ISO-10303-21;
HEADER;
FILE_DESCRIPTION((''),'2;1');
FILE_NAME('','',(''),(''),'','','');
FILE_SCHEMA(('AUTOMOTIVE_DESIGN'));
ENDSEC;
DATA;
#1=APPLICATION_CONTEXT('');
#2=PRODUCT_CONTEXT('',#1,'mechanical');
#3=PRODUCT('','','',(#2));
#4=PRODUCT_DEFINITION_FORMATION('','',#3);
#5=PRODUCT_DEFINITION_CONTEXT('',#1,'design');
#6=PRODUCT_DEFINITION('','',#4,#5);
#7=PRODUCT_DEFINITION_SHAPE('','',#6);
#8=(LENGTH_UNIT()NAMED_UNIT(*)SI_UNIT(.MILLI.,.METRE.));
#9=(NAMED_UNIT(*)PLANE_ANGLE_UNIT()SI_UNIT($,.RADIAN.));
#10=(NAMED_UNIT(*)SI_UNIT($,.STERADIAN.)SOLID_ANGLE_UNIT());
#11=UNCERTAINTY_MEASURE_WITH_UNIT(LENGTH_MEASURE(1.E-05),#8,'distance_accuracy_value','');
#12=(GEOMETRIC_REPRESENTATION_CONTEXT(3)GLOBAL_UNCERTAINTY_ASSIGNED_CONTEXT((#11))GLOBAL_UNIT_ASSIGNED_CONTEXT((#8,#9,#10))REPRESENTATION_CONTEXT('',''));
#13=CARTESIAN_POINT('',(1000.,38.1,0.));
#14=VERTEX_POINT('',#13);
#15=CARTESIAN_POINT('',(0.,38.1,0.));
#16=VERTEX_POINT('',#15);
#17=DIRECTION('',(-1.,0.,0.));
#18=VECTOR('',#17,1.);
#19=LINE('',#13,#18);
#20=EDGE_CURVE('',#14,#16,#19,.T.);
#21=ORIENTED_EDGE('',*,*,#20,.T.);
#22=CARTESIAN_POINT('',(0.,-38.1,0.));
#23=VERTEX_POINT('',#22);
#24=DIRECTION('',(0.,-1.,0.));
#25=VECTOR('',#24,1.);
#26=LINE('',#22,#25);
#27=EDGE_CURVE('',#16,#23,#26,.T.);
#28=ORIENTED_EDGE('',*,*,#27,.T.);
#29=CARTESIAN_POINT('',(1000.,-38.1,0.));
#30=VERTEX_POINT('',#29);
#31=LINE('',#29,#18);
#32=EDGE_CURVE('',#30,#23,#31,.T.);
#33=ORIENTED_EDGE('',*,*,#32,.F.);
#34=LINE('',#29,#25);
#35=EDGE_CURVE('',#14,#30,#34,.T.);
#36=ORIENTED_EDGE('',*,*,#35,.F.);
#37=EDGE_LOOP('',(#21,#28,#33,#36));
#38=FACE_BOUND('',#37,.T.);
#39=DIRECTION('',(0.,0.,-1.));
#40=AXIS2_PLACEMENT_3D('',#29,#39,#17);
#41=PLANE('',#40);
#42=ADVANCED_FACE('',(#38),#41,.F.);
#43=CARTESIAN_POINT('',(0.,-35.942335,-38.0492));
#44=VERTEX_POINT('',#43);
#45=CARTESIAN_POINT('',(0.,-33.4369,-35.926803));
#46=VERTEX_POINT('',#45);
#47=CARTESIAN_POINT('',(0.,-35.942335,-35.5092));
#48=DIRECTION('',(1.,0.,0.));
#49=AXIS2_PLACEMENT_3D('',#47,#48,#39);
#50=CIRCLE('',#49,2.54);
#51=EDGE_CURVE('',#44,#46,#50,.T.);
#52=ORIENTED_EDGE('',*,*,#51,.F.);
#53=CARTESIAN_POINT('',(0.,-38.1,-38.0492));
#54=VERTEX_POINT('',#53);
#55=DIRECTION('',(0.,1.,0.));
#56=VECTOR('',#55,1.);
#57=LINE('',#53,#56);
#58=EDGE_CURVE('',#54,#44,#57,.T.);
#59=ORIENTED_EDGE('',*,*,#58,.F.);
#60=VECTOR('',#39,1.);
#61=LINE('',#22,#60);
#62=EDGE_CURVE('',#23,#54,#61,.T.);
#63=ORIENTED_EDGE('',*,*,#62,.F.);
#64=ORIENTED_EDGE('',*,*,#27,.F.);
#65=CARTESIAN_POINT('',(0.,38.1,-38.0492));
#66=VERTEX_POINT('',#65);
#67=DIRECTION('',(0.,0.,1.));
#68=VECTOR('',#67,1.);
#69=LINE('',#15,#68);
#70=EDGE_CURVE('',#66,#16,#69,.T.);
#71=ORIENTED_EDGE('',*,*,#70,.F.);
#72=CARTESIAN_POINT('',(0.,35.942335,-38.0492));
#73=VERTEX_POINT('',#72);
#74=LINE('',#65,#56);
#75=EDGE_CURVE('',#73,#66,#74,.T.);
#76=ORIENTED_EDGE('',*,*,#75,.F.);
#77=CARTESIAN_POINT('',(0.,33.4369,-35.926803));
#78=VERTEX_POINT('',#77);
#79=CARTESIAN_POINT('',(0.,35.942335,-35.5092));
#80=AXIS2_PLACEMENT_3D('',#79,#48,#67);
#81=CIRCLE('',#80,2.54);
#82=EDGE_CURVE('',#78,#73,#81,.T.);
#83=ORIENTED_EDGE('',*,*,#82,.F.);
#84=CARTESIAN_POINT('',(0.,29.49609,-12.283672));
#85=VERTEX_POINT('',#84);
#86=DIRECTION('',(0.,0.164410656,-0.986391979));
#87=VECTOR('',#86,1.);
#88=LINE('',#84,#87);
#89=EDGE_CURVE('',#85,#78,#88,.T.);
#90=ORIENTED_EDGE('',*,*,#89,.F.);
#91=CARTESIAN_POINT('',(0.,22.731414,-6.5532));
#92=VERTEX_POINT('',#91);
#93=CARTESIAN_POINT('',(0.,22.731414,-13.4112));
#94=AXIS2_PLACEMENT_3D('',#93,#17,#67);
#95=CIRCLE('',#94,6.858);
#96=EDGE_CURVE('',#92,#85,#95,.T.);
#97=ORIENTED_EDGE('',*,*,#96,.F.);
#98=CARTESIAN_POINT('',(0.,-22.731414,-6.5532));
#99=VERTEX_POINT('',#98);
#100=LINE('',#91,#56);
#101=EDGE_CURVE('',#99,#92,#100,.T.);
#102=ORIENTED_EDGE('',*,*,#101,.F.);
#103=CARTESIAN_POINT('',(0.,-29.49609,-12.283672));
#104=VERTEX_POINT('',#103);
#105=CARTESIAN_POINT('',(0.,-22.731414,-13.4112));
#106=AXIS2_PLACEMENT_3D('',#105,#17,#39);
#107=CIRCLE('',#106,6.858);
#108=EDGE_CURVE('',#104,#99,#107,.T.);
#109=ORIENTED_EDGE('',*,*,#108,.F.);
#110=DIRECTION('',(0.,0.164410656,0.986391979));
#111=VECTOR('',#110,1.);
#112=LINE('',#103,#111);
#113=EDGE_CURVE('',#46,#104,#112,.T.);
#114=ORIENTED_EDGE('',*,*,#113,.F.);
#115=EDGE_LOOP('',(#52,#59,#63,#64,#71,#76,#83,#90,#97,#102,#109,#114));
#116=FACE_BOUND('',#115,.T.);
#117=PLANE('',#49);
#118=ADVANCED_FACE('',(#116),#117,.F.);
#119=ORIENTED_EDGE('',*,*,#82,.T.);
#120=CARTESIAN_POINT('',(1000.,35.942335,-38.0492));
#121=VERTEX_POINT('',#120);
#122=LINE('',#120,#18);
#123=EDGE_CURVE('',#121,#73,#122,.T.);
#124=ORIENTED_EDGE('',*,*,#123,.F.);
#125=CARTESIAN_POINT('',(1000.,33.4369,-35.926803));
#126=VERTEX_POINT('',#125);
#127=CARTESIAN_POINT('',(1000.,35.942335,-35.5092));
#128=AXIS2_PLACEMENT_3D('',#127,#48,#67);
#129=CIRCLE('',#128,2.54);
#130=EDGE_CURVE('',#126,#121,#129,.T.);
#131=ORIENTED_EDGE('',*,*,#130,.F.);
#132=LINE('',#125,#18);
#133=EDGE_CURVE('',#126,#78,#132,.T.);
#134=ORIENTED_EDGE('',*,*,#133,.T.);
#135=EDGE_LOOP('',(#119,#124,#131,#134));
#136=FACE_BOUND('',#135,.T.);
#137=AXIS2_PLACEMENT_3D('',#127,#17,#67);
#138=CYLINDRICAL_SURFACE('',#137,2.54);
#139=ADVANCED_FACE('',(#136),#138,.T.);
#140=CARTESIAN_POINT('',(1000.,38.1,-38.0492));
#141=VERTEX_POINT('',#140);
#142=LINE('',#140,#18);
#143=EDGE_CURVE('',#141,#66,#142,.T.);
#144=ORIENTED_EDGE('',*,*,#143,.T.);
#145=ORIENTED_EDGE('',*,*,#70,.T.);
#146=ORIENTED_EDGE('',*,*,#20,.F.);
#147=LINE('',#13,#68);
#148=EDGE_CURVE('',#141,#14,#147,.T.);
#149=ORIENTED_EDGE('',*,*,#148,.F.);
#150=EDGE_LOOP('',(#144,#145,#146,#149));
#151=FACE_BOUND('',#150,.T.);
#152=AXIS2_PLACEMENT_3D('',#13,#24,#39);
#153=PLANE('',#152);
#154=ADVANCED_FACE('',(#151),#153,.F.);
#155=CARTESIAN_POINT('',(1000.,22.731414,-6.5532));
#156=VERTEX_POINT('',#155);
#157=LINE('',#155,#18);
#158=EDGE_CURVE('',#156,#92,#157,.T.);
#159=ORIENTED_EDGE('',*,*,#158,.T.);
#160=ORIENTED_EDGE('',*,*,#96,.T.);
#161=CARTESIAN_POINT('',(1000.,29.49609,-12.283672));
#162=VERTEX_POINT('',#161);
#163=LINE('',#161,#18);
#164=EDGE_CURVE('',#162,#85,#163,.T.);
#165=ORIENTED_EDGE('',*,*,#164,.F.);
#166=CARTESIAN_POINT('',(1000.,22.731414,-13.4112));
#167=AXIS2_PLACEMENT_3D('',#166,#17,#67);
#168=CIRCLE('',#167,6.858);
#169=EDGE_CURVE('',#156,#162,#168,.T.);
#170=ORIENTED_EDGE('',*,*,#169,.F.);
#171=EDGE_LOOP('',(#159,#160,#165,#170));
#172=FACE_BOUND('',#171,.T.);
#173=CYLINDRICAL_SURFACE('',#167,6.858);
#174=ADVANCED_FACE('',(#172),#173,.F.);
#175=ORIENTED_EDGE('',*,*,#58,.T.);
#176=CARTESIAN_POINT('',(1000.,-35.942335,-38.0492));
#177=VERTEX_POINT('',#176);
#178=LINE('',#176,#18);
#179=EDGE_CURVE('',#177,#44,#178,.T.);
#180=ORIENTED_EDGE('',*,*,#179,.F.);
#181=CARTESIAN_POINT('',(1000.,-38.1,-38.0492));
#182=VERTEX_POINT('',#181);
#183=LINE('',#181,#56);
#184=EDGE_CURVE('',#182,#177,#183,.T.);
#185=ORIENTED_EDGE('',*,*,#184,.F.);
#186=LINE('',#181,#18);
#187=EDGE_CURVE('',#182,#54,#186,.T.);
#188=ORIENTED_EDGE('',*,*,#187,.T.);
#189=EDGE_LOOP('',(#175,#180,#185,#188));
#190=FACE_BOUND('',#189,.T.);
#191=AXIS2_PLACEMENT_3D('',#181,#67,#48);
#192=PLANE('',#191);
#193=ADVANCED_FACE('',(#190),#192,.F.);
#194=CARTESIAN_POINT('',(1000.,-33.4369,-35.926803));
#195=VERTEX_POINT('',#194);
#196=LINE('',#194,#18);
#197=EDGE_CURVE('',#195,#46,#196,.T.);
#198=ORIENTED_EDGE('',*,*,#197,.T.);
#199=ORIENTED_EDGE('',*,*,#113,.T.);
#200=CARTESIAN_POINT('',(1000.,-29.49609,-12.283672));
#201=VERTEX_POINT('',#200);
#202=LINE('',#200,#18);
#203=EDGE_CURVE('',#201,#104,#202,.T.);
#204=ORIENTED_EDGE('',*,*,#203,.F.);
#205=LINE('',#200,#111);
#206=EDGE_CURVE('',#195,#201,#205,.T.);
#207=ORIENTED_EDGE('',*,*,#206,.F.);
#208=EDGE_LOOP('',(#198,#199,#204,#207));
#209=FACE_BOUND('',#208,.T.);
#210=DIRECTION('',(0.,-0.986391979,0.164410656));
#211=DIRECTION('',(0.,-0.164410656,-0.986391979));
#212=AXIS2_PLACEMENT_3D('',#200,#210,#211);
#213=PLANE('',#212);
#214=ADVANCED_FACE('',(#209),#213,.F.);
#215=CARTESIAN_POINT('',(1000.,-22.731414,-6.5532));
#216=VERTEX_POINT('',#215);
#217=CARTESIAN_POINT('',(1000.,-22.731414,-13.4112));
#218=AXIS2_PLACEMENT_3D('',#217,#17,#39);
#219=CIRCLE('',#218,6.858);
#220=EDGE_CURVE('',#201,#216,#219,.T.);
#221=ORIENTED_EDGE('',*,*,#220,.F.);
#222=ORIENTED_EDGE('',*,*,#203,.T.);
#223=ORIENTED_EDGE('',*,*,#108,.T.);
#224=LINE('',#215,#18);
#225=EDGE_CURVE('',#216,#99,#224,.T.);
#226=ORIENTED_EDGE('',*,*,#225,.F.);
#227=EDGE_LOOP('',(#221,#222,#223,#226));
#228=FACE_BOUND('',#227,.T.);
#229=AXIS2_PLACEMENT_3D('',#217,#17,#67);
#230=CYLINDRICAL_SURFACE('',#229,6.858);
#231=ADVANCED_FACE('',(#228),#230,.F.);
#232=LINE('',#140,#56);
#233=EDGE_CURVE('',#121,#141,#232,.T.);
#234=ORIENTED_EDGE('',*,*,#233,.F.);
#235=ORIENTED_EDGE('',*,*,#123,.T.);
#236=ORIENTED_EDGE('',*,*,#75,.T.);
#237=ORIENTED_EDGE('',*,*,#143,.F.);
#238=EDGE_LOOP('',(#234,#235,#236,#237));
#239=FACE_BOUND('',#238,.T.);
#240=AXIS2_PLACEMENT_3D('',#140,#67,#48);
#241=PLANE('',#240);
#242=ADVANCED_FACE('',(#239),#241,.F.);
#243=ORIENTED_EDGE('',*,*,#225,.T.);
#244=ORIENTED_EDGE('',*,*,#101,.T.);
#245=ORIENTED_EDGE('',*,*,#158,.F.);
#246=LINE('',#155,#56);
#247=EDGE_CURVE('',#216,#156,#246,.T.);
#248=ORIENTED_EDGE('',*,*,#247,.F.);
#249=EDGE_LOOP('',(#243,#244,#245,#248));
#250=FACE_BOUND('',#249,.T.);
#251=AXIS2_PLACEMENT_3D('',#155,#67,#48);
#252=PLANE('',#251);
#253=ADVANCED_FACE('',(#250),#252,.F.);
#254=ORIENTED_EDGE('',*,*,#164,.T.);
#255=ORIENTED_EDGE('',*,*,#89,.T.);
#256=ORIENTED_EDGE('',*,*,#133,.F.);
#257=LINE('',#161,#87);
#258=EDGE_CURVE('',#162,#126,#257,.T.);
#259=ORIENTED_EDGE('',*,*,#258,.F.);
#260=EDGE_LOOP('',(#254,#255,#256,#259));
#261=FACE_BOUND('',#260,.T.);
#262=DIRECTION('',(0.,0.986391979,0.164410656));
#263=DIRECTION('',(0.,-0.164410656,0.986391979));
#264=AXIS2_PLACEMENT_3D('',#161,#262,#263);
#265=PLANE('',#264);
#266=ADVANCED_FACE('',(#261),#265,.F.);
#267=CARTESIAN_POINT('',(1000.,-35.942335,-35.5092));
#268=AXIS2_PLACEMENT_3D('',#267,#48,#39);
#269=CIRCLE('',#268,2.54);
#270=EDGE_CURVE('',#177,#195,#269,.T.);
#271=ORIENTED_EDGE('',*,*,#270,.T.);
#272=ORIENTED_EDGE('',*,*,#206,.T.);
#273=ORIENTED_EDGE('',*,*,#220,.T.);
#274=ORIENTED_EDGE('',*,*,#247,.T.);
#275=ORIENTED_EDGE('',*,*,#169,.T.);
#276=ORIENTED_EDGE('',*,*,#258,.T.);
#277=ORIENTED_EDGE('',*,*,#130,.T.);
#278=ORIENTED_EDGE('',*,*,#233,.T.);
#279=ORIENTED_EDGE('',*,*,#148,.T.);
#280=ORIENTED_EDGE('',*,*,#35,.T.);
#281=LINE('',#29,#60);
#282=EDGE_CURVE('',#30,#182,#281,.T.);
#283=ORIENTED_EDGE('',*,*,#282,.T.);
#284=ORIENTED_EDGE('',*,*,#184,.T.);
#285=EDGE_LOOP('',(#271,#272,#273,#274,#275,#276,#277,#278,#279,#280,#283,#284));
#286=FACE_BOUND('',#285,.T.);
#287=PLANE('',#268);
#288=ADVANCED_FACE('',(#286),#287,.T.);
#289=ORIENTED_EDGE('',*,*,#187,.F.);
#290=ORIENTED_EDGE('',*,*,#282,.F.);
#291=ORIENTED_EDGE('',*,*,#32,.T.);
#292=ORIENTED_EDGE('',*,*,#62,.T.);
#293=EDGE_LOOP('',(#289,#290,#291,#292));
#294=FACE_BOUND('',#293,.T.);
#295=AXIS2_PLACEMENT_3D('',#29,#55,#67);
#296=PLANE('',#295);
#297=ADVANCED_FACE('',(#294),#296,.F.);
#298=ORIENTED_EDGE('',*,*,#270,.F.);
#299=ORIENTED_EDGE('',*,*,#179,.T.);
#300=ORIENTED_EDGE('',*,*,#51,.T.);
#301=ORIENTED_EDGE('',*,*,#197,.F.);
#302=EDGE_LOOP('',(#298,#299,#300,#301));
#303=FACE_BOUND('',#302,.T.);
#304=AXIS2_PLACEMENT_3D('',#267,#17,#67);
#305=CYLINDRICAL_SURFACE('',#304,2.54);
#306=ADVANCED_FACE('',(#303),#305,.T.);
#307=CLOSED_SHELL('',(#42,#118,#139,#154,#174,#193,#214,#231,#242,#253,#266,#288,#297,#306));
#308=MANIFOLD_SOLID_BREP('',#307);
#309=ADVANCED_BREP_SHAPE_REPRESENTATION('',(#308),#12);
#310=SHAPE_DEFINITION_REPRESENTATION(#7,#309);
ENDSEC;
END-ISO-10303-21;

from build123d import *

# Parameters (mm, degrees)
CANAL_C_3_X_5_1_DEPTH = 1000


with BuildPart() as part:
    # Sketch12 → Canal c 3 X 5(1) (new body)
    with BuildSketch(Plane(origin=(0, 0, 0), x_dir=(0, 0, -1), z_dir=(1, 0, 0))):
        with BuildLine():
            Line((0, -38.1), (0, 38.1))
            Line((0, 38.1), (38.0492, 38.1))
            Line((38.0492, 38.1), (38.0492, 35.942335136))
            ThreePointArc((38.0492, 35.942335136), (37.447280466, 34.300554363), (35.926803066, 33.436899509))
            Line((35.926803066, 33.436899509), (12.283671721, 29.496090157))
            ThreePointArc((12.283671721, 29.496090157), (8.178382741, 27.164222052), (6.5532, 22.731413966))
            Line((6.5532, 22.731413966), (6.5532, -22.731413966))
            ThreePointArc((6.5532, -22.731413966), (8.178382741, -27.164222052), (12.283671721, -29.496090157))
            Line((12.283671721, -29.496090157), (35.926803066, -33.436899509))
            ThreePointArc((35.926803066, -33.436899509), (37.447280466, -34.300554363), (38.0492, -35.942335136))
            Line((38.0492, -35.942335136), (38.0492, -38.1))
            Line((38.0492, -38.1), (0, -38.1))
        make_face()
    extrude(amount=CANAL_C_3_X_5_1_DEPTH)


solid = part.part
